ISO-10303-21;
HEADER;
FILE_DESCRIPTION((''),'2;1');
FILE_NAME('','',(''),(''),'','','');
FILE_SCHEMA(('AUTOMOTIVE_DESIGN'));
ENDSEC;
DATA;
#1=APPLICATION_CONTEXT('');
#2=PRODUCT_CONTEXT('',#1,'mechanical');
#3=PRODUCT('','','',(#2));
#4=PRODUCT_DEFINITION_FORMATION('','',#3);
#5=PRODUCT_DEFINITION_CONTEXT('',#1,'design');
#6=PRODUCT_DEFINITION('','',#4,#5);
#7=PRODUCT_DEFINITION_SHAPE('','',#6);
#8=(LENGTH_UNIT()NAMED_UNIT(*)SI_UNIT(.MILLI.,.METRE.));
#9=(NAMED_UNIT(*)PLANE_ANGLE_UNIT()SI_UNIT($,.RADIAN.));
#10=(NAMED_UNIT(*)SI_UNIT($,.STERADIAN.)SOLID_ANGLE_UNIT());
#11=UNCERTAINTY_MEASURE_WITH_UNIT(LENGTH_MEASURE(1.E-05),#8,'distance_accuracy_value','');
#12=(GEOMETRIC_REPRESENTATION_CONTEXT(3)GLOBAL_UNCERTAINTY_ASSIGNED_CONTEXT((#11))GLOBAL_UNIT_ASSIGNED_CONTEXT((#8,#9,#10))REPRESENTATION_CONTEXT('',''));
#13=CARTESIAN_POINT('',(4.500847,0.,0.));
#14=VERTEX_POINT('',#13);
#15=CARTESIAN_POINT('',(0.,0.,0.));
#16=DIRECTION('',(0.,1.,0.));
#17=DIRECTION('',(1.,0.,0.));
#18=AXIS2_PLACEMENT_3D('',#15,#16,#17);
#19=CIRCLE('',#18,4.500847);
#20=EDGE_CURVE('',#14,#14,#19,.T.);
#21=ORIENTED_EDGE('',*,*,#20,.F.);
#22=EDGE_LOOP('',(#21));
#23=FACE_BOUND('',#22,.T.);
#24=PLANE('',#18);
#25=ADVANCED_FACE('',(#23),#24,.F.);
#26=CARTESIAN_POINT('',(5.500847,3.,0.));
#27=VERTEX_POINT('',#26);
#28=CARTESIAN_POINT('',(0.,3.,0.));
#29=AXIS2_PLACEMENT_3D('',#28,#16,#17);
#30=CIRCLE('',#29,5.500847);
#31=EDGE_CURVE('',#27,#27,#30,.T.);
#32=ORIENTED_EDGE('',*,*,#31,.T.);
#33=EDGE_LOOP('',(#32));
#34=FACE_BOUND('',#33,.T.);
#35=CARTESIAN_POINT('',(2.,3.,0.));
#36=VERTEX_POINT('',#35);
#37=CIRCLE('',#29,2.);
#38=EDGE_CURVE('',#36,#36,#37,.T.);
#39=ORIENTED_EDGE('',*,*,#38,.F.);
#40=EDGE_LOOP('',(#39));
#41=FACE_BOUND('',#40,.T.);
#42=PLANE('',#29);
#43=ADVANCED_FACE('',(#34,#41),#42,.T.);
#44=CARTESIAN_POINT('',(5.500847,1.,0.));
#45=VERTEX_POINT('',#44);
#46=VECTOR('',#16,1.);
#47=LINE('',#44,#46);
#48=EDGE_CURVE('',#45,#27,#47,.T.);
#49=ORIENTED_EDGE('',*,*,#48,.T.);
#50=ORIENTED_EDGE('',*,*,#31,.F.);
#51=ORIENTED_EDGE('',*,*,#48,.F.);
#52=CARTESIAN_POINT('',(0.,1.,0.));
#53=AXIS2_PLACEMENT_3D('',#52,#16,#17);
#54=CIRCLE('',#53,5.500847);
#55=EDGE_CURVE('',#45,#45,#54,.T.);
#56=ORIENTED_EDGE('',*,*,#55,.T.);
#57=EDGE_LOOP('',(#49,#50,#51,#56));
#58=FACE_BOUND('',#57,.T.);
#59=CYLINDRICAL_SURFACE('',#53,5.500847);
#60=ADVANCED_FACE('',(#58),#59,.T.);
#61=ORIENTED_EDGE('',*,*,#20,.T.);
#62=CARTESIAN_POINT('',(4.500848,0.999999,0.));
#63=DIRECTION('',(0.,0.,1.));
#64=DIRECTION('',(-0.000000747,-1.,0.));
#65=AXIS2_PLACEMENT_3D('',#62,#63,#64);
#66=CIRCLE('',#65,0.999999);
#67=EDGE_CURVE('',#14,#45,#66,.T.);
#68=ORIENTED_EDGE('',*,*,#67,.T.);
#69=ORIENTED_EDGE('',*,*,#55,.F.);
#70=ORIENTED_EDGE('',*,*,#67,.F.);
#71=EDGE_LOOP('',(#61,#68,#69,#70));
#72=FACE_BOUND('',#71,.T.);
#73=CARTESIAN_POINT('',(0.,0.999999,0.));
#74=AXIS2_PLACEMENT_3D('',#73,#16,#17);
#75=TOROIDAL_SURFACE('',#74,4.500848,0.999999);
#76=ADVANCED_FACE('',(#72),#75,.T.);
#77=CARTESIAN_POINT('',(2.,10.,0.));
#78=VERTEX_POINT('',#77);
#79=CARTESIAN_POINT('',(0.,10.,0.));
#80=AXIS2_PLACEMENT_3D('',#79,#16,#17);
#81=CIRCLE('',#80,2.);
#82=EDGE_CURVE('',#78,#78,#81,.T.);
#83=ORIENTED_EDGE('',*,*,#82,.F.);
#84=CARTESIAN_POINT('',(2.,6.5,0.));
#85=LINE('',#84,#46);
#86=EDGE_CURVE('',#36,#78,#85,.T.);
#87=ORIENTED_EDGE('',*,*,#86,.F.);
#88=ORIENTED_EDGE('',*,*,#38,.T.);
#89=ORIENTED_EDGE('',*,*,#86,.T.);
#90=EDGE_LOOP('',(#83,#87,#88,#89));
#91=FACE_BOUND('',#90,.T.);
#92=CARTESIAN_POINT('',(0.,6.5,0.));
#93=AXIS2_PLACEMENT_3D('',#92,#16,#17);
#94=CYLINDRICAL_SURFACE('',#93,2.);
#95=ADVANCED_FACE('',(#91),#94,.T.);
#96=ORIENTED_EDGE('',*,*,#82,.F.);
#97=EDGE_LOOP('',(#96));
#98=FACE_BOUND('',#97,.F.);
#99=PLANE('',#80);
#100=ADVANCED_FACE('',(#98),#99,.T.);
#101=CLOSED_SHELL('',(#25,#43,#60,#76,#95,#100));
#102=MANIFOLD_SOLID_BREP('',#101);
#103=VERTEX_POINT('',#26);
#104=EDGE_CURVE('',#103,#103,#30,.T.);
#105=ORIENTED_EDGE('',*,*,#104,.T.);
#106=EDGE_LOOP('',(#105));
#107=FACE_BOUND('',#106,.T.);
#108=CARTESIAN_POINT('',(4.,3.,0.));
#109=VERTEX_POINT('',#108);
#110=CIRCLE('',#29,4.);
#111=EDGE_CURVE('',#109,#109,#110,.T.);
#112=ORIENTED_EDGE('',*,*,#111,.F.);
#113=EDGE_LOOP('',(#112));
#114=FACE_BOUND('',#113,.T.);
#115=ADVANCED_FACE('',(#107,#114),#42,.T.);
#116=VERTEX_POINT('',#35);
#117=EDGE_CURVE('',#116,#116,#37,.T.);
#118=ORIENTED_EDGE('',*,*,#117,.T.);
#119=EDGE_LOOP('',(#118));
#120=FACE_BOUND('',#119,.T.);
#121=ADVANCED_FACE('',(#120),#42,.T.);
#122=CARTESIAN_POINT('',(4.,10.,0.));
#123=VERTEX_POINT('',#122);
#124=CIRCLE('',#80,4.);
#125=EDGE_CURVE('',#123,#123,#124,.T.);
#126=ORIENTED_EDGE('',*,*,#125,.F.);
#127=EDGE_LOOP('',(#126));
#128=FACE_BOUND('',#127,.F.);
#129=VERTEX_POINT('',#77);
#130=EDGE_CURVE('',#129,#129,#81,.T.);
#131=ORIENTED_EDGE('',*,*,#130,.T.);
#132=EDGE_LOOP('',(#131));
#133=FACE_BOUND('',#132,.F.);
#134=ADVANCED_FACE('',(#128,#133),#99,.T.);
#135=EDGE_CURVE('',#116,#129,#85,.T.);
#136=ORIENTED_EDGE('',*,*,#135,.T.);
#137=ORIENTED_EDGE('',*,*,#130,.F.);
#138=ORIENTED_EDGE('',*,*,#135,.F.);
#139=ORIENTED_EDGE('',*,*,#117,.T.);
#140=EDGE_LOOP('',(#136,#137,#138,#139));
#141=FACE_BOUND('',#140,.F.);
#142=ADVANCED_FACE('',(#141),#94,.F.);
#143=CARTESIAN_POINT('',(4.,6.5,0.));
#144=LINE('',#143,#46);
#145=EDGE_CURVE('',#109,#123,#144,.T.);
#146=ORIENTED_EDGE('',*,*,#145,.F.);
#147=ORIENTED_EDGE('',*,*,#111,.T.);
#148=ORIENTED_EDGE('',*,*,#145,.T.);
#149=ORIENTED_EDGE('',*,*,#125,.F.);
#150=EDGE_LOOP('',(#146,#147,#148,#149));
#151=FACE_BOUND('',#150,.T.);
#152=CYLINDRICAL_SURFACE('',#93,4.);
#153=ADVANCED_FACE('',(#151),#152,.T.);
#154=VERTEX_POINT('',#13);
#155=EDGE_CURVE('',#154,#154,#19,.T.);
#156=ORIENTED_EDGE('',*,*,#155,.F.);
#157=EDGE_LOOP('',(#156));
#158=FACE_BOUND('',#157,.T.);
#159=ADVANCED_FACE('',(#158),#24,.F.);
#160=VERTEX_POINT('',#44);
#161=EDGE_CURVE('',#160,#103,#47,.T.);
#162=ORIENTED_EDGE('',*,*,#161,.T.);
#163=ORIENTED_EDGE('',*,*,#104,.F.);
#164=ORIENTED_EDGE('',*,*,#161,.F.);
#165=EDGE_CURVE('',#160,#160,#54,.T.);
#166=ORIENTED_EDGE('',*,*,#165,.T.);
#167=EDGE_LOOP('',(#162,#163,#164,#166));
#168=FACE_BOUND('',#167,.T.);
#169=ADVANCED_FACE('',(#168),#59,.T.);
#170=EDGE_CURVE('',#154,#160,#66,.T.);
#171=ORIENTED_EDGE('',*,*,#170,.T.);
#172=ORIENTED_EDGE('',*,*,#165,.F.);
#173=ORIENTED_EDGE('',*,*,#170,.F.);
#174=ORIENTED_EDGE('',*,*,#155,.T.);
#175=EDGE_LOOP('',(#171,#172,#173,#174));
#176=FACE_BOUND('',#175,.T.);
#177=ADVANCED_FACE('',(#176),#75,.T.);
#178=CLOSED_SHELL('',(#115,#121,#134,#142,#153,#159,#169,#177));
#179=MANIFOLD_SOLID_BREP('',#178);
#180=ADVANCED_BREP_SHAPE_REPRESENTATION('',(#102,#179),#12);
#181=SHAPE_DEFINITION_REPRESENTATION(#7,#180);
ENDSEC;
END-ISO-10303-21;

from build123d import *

# Parameters (mm, degrees)
F0_W = 2
F0_H = 7


with BuildPart() as f1:
    # F0 (on Top) → F1 (revolve)
    with BuildSketch(Plane.XY):
        with BuildLine():
            Line((0, 3), (0, 0))
            Line((0, 0), (4.500847, 0))
            ThreePointArc((4.500847, 0), (5.207954, 0.292893), (5.500847, 1))
            Line((5.500847, 1), (5.500847, 3))
            Line((5.500847, 3), (4, 3))
            Line((4, 3), (2, 3))
            Line((2, 3), (0, 3))
        make_face()
        with Locations((3, 6.5)):
            Rectangle(F0_W, F0_H)
    revolve(axis=Axis((0, 6.246109, 0), (0, 1, 0)))


with BuildPart() as f2:
    # F0 (on Top) → F2 (revolve)
    with BuildSketch(Plane.XY):
        with Locations((1, 6.5)):
            Rectangle(F0_W, F0_H)
        with BuildLine():
            Line((0, 3), (0, 0))
            Line((0, 0), (4.500847, 0))
            ThreePointArc((4.500847, 0), (5.207954, 0.292893), (5.500847, 1))
            Line((5.500847, 1), (5.500847, 3))
            Line((5.500847, 3), (4, 3))
            Line((4, 3), (2, 3))
            Line((2, 3), (0, 3))
        make_face()
    revolve(axis=Axis((0, 6.246109, 0), (0, 1, 0)))


solid = Compound([f1.part, f2.part])
